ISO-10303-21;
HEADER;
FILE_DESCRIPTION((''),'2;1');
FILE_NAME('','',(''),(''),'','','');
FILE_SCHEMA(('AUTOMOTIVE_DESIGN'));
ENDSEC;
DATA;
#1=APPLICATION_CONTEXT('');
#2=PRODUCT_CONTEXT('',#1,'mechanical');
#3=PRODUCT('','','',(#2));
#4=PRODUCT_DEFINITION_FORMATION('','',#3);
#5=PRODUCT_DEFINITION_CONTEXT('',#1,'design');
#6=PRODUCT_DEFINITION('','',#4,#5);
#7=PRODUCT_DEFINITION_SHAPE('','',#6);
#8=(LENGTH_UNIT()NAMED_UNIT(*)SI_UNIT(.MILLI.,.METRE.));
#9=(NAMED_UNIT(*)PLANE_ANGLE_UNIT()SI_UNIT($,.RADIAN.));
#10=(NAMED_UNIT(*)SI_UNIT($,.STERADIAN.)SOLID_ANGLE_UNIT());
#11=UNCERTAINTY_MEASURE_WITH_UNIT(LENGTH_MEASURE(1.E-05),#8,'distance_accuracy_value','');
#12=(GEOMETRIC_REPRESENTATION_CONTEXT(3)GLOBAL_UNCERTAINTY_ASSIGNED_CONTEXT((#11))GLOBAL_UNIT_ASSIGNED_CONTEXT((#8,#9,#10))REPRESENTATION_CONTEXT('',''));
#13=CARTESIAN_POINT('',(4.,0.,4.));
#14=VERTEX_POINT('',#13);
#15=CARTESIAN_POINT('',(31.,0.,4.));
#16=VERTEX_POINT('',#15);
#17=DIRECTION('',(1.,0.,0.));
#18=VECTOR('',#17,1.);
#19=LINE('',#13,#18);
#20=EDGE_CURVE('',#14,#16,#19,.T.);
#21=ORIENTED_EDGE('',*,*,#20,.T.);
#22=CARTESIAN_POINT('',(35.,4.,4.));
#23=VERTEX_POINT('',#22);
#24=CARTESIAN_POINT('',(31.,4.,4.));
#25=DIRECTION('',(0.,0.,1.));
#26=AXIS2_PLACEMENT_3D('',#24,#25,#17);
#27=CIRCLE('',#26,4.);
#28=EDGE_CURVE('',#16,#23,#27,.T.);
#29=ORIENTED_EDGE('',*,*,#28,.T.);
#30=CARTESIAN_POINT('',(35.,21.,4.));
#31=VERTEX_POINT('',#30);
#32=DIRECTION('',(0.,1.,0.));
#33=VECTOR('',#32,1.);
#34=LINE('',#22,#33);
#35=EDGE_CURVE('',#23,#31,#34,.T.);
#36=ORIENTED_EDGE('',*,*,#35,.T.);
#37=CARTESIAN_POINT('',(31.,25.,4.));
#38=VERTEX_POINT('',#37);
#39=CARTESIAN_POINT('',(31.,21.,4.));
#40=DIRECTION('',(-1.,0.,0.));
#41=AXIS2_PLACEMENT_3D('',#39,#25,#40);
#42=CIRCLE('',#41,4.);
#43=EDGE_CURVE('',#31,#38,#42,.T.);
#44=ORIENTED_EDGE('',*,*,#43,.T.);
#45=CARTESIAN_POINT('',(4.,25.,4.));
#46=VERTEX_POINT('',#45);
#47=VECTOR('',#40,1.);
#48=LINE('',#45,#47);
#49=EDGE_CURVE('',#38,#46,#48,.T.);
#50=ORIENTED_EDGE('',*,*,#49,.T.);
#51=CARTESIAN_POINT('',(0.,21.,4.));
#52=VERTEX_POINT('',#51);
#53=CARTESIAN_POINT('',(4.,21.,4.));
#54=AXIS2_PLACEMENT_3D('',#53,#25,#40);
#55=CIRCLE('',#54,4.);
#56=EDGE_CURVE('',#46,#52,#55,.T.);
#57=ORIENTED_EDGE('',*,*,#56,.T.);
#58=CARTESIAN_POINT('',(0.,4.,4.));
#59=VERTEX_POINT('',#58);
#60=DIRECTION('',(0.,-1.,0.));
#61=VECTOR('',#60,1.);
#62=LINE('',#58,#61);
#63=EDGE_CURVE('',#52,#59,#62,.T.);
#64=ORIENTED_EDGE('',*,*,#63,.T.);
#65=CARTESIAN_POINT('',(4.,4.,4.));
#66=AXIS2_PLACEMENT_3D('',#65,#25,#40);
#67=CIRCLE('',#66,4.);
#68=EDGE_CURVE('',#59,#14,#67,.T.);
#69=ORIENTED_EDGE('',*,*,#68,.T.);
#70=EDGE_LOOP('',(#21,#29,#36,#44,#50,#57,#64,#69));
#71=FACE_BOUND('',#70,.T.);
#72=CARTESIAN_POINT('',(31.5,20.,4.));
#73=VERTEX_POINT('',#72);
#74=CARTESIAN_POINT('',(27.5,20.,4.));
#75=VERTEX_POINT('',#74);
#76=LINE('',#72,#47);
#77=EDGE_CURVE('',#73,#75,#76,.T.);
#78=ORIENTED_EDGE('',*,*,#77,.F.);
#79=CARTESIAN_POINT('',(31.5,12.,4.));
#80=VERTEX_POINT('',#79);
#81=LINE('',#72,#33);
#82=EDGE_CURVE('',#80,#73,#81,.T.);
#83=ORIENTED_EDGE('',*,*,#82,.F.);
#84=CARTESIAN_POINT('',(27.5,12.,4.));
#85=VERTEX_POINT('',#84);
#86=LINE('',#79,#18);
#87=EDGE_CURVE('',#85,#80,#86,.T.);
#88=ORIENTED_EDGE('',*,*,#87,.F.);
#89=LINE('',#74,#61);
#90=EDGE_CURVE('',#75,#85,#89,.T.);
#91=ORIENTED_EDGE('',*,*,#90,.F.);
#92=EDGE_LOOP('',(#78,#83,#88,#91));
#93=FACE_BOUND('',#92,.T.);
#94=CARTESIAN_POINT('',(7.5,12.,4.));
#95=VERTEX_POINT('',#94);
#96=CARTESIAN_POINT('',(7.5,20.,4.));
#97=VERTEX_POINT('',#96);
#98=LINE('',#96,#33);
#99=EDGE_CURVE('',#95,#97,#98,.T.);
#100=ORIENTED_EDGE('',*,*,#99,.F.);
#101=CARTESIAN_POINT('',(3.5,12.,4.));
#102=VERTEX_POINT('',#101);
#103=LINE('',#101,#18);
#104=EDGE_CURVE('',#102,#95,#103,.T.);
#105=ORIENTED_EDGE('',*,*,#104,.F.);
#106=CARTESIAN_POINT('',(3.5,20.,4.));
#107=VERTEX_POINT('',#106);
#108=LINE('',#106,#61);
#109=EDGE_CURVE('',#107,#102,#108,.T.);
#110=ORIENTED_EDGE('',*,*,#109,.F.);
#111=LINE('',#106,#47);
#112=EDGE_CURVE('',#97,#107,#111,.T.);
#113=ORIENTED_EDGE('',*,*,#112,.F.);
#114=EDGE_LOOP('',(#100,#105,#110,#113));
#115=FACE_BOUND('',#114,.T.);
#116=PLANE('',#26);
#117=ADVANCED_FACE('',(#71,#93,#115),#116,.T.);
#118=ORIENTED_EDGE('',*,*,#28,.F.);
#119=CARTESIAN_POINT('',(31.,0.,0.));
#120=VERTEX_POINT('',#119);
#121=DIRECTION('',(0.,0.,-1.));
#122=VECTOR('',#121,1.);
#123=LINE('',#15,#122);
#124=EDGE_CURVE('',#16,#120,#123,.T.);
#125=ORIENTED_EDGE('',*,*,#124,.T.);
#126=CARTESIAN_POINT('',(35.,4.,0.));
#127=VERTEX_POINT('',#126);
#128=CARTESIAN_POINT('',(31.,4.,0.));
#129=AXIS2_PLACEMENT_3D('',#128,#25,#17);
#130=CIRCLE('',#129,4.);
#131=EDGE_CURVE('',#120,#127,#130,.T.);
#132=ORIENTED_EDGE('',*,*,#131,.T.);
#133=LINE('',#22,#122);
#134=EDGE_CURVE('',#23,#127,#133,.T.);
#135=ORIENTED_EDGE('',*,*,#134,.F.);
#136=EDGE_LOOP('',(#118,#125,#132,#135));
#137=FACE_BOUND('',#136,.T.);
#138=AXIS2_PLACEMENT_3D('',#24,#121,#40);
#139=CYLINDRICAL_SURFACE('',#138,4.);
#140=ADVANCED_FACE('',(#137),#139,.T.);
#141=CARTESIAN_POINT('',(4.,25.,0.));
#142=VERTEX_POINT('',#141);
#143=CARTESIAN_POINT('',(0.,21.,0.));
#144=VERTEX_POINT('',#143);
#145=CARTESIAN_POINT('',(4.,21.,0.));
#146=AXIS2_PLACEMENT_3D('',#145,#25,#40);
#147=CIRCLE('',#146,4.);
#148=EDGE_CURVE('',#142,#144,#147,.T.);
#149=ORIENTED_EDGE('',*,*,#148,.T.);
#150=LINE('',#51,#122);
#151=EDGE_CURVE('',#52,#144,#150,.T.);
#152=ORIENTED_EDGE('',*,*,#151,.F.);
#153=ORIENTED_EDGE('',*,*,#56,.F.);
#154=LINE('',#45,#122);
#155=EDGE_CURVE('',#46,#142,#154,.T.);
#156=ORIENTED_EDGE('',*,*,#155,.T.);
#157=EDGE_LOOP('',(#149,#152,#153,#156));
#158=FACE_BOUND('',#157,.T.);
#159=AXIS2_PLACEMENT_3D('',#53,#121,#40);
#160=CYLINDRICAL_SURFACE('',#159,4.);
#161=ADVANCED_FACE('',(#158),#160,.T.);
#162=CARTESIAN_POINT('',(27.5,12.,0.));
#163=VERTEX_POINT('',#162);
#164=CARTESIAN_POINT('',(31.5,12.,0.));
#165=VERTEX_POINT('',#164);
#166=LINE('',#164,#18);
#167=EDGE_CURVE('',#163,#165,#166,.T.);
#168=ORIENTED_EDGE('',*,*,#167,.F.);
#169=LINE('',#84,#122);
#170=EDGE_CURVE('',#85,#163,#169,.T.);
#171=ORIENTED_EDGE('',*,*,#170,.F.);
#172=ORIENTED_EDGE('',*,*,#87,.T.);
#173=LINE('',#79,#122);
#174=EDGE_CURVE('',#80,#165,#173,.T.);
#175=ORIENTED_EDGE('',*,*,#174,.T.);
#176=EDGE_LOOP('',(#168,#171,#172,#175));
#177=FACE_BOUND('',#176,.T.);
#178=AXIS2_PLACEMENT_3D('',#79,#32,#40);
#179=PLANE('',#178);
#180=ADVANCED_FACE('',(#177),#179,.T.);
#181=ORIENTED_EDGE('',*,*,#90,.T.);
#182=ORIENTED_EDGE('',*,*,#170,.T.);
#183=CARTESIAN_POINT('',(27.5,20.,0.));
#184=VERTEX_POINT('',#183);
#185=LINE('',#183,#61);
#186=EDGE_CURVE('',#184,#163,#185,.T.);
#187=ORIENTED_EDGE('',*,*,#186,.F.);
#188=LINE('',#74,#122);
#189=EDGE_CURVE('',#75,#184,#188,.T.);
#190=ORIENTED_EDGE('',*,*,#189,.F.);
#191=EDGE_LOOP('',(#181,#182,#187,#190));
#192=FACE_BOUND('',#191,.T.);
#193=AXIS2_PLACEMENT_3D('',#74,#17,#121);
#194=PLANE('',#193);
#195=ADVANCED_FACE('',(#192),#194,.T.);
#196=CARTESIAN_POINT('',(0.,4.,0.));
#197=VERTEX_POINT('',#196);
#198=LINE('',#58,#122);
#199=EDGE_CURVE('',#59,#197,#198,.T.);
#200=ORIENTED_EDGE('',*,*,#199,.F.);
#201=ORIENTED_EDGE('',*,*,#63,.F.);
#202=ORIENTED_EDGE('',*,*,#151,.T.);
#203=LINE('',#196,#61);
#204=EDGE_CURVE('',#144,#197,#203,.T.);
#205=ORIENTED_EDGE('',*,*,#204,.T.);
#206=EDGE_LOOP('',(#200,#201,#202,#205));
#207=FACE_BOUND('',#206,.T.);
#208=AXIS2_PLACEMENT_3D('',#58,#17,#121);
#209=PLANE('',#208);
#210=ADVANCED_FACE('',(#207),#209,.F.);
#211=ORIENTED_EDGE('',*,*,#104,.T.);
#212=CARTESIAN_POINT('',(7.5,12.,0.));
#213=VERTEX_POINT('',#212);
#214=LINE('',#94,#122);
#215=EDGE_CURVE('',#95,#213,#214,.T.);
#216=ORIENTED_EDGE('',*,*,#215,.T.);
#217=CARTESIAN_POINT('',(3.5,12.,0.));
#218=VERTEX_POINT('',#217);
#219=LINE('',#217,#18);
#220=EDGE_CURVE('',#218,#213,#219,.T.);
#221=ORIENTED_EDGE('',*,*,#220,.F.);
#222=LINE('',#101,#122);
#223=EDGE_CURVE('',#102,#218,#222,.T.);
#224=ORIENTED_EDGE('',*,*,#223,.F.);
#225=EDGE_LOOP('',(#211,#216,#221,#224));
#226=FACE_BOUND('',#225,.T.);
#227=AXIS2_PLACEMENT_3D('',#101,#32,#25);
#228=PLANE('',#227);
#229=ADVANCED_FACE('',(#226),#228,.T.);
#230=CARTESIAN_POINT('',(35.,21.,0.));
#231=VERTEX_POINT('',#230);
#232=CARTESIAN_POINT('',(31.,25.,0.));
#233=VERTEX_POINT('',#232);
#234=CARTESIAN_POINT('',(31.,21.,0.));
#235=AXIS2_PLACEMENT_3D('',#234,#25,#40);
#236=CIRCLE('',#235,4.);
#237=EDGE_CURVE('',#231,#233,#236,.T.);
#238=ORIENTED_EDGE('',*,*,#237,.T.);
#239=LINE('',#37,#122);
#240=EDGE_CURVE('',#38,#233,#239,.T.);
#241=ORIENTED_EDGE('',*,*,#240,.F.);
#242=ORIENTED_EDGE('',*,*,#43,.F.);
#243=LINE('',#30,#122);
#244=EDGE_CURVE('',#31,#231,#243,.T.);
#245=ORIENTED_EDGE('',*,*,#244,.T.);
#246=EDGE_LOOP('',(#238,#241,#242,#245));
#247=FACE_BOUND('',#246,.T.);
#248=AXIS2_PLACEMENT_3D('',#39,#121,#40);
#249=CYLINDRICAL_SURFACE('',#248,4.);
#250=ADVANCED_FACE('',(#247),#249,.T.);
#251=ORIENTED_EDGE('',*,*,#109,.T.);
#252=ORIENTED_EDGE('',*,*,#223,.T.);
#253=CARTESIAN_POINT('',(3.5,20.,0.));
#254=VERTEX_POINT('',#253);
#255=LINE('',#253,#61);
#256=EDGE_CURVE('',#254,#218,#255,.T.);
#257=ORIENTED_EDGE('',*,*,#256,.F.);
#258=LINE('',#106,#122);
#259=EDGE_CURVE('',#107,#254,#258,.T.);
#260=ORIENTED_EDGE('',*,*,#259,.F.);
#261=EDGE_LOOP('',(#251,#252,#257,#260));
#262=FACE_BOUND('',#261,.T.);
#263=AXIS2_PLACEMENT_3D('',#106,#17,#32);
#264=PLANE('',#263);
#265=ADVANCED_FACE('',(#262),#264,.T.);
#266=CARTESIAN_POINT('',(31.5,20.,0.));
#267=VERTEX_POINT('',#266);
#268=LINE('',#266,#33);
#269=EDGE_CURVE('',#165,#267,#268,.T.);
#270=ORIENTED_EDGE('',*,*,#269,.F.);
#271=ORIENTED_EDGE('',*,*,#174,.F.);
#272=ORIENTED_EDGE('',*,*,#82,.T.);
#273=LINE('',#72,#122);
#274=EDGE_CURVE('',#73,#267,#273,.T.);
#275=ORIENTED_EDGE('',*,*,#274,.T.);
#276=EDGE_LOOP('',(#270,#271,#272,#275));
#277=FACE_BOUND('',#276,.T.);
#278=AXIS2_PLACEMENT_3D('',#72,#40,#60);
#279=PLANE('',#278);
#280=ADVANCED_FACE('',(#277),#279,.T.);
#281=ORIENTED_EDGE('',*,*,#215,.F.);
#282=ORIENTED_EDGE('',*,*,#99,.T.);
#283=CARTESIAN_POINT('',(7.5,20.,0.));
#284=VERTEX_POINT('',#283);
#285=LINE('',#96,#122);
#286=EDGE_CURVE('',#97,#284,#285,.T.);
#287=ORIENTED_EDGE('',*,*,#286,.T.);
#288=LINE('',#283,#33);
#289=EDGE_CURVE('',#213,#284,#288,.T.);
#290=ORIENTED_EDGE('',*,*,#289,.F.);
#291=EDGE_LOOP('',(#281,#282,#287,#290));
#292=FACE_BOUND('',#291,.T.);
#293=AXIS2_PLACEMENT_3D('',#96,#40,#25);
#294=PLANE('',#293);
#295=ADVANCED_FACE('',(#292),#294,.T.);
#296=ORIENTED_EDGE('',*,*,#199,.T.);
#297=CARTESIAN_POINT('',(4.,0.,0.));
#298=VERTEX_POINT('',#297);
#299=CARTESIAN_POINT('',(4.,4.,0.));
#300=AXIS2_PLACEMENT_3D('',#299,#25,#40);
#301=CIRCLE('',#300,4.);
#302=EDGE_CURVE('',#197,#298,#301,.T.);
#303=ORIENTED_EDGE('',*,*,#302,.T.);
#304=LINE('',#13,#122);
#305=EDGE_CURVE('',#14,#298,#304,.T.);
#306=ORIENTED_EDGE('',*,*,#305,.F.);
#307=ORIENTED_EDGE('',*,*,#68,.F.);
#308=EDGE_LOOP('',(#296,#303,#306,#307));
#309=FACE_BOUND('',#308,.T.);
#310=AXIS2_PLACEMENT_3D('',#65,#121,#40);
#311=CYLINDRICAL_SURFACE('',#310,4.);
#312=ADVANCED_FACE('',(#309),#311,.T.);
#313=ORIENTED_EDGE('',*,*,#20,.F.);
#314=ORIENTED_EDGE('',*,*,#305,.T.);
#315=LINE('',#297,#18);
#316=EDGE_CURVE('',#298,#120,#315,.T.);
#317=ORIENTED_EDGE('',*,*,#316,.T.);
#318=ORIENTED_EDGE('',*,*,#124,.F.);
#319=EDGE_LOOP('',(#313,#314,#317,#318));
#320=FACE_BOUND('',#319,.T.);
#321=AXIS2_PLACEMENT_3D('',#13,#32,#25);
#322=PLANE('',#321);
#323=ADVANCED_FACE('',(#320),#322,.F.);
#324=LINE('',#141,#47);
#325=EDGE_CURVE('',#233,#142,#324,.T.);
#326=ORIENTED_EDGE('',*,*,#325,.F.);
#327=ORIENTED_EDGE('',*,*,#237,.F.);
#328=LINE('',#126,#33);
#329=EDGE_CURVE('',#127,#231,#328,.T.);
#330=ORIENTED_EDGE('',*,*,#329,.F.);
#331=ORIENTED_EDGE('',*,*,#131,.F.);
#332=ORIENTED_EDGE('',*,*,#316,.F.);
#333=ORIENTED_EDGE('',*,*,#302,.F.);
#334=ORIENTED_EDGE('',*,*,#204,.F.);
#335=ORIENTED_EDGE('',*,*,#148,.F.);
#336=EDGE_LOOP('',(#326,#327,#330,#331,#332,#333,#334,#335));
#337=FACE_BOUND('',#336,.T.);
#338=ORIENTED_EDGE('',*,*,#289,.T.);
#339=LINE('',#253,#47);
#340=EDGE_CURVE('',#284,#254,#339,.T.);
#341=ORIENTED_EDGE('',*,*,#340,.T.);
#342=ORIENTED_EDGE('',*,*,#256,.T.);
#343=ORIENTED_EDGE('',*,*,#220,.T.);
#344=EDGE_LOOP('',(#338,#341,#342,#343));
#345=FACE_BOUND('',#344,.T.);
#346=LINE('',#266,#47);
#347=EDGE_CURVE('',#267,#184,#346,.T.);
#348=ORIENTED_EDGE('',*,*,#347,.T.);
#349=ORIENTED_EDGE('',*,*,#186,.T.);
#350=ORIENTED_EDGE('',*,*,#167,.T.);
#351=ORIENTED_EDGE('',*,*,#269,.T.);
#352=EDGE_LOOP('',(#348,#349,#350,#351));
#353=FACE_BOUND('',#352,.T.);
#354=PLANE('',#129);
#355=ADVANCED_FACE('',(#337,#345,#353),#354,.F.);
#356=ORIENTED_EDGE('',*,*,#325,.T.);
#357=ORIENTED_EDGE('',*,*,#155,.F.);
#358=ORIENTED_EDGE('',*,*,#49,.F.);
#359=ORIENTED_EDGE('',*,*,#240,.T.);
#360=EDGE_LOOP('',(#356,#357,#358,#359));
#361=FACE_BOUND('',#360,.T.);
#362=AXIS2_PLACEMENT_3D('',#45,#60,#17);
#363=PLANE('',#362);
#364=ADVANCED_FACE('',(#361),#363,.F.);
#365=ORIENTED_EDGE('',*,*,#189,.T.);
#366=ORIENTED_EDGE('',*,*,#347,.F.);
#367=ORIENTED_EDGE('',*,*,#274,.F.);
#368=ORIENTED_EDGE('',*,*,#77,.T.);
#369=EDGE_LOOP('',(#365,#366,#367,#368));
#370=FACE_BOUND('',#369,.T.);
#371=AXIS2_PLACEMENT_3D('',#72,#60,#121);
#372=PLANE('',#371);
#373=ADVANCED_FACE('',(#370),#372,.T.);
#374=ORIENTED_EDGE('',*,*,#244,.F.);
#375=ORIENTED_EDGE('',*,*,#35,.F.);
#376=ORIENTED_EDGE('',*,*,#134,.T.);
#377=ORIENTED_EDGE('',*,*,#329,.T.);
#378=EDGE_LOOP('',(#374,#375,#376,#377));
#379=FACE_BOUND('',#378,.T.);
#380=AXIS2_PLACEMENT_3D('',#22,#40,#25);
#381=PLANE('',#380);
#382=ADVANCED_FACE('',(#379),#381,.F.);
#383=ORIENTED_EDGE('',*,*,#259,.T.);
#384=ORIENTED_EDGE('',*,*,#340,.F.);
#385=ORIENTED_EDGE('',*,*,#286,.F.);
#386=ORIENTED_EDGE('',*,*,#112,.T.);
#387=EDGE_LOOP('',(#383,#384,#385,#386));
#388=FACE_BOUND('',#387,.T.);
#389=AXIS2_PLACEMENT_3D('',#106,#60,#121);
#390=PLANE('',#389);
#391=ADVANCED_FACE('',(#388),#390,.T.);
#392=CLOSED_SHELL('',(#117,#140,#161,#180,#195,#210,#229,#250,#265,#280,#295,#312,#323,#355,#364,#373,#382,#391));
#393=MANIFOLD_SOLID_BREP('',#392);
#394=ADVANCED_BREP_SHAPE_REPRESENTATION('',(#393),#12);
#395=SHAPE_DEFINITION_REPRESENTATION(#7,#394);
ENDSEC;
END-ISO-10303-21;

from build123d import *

# Parameters (mm, degrees)
SKETCH1_W           = 4
SKETCH1_H           = 8
BOSS_EXTRUDE1_DEPTH = 4


with BuildPart() as part:
    # Sketch1 → Boss-Extrude1 (new body)
    with BuildSketch(Plane.XY):
        with BuildLine():
            Line((4, 0), (31, 0))
            ThreePointArc((31, 0), (33.828427125, 1.171572875), (35, 4))
            Line((35, 4), (35, 21))
            ThreePointArc((35, 21), (33.828427125, 23.828427125), (31, 25))
            Line((31, 25), (4, 25))
            ThreePointArc((4, 25), (1.171572875, 23.828427125), (0, 21))
            Line((0, 21), (0, 4))
            ThreePointArc((0, 4), (1.171572875, 1.171572875), (4, 0))
        make_face()
        with Locations((5.5, 16)):
            Rectangle(SKETCH1_W, SKETCH1_H, mode=Mode.SUBTRACT)
        with Locations((29.5, 16)):
            Rectangle(SKETCH1_W, SKETCH1_H, mode=Mode.SUBTRACT)
    extrude(amount=BOSS_EXTRUDE1_DEPTH)


solid = part.part
